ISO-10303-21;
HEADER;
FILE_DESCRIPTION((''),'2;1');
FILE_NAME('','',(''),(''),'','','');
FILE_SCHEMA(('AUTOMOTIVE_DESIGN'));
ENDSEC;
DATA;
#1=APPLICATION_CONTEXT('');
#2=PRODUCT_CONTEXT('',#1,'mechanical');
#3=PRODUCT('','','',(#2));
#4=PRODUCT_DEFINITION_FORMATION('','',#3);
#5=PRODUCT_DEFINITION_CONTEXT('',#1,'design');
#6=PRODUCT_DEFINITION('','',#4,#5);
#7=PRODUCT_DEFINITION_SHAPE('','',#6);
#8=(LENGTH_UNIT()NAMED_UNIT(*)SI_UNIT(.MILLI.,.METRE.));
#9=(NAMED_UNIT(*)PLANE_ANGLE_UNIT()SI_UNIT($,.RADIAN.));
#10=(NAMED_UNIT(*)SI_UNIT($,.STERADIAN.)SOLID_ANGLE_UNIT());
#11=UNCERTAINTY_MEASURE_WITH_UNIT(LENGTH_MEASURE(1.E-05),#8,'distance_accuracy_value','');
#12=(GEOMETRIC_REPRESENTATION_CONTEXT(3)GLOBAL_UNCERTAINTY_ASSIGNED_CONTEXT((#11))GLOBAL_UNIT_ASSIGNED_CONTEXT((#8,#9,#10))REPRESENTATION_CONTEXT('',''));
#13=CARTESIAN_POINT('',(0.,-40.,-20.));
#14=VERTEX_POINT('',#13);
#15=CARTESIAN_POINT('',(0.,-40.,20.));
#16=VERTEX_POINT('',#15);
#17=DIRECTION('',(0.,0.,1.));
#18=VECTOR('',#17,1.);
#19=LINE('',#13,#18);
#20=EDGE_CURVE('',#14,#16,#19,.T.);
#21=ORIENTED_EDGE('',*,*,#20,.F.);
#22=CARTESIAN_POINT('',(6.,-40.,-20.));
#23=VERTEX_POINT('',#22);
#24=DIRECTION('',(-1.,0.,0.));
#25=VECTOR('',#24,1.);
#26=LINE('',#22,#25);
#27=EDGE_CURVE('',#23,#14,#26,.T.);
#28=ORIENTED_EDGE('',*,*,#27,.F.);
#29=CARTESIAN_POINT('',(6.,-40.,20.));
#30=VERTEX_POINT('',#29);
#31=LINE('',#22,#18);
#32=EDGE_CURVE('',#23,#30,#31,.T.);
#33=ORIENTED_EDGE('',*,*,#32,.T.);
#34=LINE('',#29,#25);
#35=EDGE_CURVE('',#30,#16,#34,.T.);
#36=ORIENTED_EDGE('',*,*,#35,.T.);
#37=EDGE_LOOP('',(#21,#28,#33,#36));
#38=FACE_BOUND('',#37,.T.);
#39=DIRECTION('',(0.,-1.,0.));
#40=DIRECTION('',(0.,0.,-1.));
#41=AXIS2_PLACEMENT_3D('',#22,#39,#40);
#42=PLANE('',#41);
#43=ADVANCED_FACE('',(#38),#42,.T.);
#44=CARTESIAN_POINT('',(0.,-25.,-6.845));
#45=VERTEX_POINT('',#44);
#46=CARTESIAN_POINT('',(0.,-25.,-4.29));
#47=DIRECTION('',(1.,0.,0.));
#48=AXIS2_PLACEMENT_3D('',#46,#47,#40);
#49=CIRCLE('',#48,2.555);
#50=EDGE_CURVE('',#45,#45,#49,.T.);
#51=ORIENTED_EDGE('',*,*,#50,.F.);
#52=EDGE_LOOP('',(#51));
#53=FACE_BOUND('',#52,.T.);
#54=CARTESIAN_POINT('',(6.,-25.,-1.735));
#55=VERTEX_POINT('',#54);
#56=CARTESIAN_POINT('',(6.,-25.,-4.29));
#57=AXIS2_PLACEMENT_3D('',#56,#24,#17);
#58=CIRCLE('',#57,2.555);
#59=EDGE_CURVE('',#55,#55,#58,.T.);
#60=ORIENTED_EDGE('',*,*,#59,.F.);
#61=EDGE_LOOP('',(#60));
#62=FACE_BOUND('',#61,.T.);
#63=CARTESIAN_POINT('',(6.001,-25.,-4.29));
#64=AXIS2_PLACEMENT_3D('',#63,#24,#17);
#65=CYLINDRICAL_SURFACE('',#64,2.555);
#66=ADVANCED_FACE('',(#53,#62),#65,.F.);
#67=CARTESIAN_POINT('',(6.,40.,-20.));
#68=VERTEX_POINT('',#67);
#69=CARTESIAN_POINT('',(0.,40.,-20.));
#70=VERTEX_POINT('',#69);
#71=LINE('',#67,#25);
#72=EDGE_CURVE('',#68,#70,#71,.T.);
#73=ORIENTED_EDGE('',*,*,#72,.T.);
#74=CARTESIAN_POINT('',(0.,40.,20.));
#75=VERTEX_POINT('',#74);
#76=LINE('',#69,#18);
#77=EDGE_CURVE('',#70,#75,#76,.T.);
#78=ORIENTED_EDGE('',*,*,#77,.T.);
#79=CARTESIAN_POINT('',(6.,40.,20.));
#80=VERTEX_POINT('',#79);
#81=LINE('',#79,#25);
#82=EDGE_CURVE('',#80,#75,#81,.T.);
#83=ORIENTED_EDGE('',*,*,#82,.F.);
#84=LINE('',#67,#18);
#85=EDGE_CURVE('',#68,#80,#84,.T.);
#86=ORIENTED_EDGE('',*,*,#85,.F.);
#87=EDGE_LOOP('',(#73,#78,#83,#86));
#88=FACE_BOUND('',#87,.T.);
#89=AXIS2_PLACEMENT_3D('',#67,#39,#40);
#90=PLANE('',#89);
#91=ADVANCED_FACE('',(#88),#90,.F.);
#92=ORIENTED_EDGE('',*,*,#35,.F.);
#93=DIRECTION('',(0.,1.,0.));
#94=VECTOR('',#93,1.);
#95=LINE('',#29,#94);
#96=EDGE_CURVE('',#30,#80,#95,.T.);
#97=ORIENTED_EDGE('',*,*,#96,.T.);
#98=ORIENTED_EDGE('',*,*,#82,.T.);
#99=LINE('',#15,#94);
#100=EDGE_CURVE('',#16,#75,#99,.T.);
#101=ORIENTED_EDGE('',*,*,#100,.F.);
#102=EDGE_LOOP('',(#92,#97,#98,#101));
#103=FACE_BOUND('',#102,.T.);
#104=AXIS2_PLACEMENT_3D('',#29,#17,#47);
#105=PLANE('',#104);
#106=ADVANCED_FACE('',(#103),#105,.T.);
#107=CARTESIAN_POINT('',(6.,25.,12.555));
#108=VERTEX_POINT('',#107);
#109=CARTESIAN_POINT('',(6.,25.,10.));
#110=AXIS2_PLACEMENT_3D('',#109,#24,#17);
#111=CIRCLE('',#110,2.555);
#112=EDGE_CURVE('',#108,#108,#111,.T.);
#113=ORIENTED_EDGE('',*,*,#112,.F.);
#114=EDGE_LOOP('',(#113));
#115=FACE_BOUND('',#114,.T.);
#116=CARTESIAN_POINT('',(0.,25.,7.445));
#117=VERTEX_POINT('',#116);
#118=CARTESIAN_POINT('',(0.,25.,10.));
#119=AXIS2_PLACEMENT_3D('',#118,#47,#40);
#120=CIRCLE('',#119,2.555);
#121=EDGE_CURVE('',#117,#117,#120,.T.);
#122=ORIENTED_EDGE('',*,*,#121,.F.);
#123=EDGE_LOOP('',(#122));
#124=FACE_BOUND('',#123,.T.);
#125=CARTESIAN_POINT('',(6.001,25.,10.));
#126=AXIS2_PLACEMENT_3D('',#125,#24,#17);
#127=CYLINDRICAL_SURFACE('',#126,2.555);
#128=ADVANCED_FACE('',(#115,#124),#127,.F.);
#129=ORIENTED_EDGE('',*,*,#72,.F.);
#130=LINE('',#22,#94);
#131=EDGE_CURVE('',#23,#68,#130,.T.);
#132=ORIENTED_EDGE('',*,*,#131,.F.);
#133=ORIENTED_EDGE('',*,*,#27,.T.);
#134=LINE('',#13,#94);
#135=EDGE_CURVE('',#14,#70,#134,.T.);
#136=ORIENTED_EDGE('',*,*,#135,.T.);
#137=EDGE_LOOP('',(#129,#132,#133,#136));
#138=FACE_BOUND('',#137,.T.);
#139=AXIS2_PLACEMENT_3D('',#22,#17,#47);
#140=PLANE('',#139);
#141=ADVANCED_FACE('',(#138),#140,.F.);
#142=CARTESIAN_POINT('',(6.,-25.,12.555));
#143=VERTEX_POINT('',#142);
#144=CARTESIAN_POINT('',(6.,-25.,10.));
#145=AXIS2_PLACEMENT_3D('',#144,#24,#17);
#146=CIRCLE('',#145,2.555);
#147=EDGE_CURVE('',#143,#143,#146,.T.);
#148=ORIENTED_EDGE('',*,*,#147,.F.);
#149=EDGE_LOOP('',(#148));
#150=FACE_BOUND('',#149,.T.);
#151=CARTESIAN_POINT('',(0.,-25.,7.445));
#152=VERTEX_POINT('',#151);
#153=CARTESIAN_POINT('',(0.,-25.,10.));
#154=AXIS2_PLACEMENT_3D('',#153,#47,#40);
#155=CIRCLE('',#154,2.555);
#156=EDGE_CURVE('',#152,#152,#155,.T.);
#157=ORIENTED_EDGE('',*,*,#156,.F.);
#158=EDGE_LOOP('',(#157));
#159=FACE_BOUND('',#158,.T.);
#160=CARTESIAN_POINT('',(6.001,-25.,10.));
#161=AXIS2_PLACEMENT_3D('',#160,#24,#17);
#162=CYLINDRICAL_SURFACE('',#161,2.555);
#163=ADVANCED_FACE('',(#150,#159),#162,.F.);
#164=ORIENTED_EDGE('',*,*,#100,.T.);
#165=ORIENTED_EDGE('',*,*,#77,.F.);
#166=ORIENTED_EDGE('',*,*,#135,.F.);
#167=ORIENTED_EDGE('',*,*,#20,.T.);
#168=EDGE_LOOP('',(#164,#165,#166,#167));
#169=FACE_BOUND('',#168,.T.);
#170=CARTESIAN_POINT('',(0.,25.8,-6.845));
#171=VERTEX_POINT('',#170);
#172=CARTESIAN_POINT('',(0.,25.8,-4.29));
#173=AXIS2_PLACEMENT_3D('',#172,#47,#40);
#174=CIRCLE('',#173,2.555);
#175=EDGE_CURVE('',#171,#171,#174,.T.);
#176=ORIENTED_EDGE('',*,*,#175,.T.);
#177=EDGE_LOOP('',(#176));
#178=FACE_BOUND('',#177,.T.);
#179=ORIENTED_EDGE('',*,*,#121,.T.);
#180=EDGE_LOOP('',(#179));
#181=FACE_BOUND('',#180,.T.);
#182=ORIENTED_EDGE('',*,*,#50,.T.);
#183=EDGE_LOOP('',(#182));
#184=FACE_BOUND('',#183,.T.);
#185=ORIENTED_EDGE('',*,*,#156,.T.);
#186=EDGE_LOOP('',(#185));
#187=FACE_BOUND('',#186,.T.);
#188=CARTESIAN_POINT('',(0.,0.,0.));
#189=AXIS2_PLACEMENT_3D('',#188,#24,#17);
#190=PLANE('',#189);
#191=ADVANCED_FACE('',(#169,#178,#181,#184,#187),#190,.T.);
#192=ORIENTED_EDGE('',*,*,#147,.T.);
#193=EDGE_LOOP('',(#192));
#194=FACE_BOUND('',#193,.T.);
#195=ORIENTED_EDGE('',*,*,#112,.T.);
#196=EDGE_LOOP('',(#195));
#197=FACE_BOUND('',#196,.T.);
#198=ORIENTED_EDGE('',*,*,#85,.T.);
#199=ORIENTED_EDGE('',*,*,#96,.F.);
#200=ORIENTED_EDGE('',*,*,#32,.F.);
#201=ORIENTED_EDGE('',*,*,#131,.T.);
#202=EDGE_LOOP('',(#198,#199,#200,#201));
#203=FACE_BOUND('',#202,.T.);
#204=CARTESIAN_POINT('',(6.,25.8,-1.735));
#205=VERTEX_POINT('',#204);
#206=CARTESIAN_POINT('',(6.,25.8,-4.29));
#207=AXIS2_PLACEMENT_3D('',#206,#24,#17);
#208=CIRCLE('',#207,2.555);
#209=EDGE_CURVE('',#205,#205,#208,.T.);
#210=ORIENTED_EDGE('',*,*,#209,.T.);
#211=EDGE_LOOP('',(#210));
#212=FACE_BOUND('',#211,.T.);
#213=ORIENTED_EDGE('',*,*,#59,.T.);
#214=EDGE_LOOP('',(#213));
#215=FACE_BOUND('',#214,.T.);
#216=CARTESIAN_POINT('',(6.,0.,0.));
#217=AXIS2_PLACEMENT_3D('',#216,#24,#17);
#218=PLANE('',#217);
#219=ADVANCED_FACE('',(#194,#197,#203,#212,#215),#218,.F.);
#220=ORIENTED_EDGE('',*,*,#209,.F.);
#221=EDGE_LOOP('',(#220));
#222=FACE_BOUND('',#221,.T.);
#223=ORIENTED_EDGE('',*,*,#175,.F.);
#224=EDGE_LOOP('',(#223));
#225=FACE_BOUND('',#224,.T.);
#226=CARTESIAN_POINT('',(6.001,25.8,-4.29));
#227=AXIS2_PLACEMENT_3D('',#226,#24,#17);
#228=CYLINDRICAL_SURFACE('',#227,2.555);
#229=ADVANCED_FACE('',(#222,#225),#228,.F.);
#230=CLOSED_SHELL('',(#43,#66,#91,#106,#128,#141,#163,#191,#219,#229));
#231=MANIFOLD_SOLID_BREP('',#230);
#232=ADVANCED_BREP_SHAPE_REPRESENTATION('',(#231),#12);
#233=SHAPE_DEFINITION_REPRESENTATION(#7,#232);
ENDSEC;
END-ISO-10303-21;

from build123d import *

# Parameters (mm, degrees)
SKETCH1_W           = 80
SKETCH1_H           = 40
BOSS_EXTRUDE2_DEPTH = 6
CUT_EXTRUDE3_REACH  = 47.122
SKETCH1_3_R         = 2.555


with BuildPart() as part:
    # Sketch1 → Boss-Extrude2 (new body)
    with BuildSketch(Plane.YZ):
        Rectangle(SKETCH1_W, SKETCH1_H)
    extrude(amount=BOSS_EXTRUDE2_DEPTH)

    # Sketch1<3> → Cut-Extrude3 (cut, up to next)
    with BuildSketch(Plane.YZ, mode=Mode.PRIVATE) as cut_extrude3_sk1:
        with Locations((-25, -4.29)):
            Circle(SKETCH1_3_R)
    cut_extrude3_tool1 = extrude(cut_extrude3_sk1.sketch, amount=CUT_EXTRUDE3_REACH, mode=Mode.PRIVATE) & part.part
    # Sketch1<3> → Cut-Extrude3 (cut, up to next)
    with BuildSketch(Plane.YZ, mode=Mode.PRIVATE) as cut_extrude3_sk2:
        with Locations((25.8, -4.29)):
            Circle(SKETCH1_3_R)
    cut_extrude3_tool2 = extrude(cut_extrude3_sk2.sketch, amount=CUT_EXTRUDE3_REACH, mode=Mode.PRIVATE) & part.part
    # Sketch1<3> → Cut-Extrude3 (cut, up to next)
    with BuildSketch(Plane.YZ, mode=Mode.PRIVATE) as cut_extrude3_sk3:
        with Locations((-25, 10)):
            Circle(SKETCH1_3_R)
    cut_extrude3_tool3 = extrude(cut_extrude3_sk3.sketch, amount=CUT_EXTRUDE3_REACH, mode=Mode.PRIVATE) & part.part
    # Sketch1<3> → Cut-Extrude3 (cut, up to next)
    with BuildSketch(Plane.YZ, mode=Mode.PRIVATE) as cut_extrude3_sk4:
        with Locations((25, 10)):
            Circle(SKETCH1_3_R)
    cut_extrude3_tool4 = extrude(cut_extrude3_sk4.sketch, amount=CUT_EXTRUDE3_REACH, mode=Mode.PRIVATE) & part.part
    add(cut_extrude3_tool1.solids().sort_by_distance((0, -25, -4.29))[0], mode=Mode.SUBTRACT)
    add(cut_extrude3_tool2.solids().sort_by_distance((0, 25.8, -4.29))[0], mode=Mode.SUBTRACT)
    add(cut_extrude3_tool3.solids().sort_by_distance((0, -25, 10))[0], mode=Mode.SUBTRACT)
    add(cut_extrude3_tool4.solids().sort_by_distance((0, 25, 10))[0], mode=Mode.SUBTRACT)


solid = part.part
